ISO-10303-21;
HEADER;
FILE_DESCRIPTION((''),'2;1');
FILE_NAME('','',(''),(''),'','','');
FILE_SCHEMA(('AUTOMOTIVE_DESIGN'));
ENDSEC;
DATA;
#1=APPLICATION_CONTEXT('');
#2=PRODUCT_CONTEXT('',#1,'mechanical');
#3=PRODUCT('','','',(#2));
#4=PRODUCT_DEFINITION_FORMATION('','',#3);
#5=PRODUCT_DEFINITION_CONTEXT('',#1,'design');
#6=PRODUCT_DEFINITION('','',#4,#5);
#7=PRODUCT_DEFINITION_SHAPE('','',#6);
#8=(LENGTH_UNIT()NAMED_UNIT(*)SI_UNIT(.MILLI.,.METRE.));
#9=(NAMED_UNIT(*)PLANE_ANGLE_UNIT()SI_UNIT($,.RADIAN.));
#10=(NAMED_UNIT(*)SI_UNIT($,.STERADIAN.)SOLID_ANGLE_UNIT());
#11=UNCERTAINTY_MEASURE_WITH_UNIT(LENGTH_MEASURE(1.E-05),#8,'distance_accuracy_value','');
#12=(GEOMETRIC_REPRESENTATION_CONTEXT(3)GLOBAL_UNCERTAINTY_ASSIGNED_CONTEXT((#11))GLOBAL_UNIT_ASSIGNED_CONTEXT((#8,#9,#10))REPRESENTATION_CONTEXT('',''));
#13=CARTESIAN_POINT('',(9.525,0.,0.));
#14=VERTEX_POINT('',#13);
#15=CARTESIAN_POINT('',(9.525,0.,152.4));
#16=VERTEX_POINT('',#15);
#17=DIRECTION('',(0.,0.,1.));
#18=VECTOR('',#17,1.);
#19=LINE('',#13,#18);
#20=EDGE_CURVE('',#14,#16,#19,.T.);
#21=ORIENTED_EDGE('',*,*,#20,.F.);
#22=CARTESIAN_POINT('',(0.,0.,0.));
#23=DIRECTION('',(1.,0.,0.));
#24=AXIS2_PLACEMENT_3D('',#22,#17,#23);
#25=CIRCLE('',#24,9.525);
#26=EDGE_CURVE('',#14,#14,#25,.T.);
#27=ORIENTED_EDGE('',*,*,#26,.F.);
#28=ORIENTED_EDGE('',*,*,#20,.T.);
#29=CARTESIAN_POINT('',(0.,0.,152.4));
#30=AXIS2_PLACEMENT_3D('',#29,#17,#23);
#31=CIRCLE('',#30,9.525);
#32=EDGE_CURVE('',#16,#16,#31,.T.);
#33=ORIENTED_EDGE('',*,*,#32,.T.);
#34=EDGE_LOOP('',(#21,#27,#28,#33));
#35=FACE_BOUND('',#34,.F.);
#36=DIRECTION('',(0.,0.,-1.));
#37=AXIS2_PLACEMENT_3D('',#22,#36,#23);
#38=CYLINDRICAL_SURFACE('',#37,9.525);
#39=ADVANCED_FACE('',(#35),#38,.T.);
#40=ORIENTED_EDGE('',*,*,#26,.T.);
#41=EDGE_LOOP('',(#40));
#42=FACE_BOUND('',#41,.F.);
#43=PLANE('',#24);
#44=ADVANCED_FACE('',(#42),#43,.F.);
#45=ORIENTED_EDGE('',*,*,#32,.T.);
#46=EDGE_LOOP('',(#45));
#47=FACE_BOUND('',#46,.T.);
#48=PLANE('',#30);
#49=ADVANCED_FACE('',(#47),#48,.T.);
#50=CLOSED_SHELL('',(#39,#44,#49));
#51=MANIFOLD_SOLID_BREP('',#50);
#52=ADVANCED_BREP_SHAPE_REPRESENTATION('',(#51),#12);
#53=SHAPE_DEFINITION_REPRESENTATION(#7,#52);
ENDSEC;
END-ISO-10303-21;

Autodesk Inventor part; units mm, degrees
ref_plane "YZ Plane" through (0, 0, 0) normal (1, 0, 0) x (0, 1, 0)
ref_plane "XZ Plane" through (0, 0, 0) normal (0, 1, 0) x (-1, 0, 0)
ref_plane "XY Plane" through (0, 0, 0) normal (0, 0, 1) x (1, 0, 0)
sketch "Sketch2" plane through (0, 0, 0) normal (0, 0, 1) x (1, 0, 0)
  circle A0 centre (0, 0) radius 9.525
  dimension "d0" = 19.05
extrude "Extrusion1" add sketch "Sketch2" along normal blind 152.4
equation "\"BendRadius\" = Thickness"
equation "\"BendReliefWidth\" = Thickness"
equation "\"BendReliefDepth\" = 0.5 * Thickness"
equation "\"CornerReliefSize\" = 4 * Thickness"
equation "\"MinimumRemnant\" = 2 * Thickness"
equation "\"TransitionRadius\" = BendRadius"
equation "\"JacobiRadiusSize\" = BendRadius"
equation "\"GapSize\" = Thickness"
equation "\"Thickness\" = 4.7625"
properties part number "RearAxle" material "Steel, Mild"
